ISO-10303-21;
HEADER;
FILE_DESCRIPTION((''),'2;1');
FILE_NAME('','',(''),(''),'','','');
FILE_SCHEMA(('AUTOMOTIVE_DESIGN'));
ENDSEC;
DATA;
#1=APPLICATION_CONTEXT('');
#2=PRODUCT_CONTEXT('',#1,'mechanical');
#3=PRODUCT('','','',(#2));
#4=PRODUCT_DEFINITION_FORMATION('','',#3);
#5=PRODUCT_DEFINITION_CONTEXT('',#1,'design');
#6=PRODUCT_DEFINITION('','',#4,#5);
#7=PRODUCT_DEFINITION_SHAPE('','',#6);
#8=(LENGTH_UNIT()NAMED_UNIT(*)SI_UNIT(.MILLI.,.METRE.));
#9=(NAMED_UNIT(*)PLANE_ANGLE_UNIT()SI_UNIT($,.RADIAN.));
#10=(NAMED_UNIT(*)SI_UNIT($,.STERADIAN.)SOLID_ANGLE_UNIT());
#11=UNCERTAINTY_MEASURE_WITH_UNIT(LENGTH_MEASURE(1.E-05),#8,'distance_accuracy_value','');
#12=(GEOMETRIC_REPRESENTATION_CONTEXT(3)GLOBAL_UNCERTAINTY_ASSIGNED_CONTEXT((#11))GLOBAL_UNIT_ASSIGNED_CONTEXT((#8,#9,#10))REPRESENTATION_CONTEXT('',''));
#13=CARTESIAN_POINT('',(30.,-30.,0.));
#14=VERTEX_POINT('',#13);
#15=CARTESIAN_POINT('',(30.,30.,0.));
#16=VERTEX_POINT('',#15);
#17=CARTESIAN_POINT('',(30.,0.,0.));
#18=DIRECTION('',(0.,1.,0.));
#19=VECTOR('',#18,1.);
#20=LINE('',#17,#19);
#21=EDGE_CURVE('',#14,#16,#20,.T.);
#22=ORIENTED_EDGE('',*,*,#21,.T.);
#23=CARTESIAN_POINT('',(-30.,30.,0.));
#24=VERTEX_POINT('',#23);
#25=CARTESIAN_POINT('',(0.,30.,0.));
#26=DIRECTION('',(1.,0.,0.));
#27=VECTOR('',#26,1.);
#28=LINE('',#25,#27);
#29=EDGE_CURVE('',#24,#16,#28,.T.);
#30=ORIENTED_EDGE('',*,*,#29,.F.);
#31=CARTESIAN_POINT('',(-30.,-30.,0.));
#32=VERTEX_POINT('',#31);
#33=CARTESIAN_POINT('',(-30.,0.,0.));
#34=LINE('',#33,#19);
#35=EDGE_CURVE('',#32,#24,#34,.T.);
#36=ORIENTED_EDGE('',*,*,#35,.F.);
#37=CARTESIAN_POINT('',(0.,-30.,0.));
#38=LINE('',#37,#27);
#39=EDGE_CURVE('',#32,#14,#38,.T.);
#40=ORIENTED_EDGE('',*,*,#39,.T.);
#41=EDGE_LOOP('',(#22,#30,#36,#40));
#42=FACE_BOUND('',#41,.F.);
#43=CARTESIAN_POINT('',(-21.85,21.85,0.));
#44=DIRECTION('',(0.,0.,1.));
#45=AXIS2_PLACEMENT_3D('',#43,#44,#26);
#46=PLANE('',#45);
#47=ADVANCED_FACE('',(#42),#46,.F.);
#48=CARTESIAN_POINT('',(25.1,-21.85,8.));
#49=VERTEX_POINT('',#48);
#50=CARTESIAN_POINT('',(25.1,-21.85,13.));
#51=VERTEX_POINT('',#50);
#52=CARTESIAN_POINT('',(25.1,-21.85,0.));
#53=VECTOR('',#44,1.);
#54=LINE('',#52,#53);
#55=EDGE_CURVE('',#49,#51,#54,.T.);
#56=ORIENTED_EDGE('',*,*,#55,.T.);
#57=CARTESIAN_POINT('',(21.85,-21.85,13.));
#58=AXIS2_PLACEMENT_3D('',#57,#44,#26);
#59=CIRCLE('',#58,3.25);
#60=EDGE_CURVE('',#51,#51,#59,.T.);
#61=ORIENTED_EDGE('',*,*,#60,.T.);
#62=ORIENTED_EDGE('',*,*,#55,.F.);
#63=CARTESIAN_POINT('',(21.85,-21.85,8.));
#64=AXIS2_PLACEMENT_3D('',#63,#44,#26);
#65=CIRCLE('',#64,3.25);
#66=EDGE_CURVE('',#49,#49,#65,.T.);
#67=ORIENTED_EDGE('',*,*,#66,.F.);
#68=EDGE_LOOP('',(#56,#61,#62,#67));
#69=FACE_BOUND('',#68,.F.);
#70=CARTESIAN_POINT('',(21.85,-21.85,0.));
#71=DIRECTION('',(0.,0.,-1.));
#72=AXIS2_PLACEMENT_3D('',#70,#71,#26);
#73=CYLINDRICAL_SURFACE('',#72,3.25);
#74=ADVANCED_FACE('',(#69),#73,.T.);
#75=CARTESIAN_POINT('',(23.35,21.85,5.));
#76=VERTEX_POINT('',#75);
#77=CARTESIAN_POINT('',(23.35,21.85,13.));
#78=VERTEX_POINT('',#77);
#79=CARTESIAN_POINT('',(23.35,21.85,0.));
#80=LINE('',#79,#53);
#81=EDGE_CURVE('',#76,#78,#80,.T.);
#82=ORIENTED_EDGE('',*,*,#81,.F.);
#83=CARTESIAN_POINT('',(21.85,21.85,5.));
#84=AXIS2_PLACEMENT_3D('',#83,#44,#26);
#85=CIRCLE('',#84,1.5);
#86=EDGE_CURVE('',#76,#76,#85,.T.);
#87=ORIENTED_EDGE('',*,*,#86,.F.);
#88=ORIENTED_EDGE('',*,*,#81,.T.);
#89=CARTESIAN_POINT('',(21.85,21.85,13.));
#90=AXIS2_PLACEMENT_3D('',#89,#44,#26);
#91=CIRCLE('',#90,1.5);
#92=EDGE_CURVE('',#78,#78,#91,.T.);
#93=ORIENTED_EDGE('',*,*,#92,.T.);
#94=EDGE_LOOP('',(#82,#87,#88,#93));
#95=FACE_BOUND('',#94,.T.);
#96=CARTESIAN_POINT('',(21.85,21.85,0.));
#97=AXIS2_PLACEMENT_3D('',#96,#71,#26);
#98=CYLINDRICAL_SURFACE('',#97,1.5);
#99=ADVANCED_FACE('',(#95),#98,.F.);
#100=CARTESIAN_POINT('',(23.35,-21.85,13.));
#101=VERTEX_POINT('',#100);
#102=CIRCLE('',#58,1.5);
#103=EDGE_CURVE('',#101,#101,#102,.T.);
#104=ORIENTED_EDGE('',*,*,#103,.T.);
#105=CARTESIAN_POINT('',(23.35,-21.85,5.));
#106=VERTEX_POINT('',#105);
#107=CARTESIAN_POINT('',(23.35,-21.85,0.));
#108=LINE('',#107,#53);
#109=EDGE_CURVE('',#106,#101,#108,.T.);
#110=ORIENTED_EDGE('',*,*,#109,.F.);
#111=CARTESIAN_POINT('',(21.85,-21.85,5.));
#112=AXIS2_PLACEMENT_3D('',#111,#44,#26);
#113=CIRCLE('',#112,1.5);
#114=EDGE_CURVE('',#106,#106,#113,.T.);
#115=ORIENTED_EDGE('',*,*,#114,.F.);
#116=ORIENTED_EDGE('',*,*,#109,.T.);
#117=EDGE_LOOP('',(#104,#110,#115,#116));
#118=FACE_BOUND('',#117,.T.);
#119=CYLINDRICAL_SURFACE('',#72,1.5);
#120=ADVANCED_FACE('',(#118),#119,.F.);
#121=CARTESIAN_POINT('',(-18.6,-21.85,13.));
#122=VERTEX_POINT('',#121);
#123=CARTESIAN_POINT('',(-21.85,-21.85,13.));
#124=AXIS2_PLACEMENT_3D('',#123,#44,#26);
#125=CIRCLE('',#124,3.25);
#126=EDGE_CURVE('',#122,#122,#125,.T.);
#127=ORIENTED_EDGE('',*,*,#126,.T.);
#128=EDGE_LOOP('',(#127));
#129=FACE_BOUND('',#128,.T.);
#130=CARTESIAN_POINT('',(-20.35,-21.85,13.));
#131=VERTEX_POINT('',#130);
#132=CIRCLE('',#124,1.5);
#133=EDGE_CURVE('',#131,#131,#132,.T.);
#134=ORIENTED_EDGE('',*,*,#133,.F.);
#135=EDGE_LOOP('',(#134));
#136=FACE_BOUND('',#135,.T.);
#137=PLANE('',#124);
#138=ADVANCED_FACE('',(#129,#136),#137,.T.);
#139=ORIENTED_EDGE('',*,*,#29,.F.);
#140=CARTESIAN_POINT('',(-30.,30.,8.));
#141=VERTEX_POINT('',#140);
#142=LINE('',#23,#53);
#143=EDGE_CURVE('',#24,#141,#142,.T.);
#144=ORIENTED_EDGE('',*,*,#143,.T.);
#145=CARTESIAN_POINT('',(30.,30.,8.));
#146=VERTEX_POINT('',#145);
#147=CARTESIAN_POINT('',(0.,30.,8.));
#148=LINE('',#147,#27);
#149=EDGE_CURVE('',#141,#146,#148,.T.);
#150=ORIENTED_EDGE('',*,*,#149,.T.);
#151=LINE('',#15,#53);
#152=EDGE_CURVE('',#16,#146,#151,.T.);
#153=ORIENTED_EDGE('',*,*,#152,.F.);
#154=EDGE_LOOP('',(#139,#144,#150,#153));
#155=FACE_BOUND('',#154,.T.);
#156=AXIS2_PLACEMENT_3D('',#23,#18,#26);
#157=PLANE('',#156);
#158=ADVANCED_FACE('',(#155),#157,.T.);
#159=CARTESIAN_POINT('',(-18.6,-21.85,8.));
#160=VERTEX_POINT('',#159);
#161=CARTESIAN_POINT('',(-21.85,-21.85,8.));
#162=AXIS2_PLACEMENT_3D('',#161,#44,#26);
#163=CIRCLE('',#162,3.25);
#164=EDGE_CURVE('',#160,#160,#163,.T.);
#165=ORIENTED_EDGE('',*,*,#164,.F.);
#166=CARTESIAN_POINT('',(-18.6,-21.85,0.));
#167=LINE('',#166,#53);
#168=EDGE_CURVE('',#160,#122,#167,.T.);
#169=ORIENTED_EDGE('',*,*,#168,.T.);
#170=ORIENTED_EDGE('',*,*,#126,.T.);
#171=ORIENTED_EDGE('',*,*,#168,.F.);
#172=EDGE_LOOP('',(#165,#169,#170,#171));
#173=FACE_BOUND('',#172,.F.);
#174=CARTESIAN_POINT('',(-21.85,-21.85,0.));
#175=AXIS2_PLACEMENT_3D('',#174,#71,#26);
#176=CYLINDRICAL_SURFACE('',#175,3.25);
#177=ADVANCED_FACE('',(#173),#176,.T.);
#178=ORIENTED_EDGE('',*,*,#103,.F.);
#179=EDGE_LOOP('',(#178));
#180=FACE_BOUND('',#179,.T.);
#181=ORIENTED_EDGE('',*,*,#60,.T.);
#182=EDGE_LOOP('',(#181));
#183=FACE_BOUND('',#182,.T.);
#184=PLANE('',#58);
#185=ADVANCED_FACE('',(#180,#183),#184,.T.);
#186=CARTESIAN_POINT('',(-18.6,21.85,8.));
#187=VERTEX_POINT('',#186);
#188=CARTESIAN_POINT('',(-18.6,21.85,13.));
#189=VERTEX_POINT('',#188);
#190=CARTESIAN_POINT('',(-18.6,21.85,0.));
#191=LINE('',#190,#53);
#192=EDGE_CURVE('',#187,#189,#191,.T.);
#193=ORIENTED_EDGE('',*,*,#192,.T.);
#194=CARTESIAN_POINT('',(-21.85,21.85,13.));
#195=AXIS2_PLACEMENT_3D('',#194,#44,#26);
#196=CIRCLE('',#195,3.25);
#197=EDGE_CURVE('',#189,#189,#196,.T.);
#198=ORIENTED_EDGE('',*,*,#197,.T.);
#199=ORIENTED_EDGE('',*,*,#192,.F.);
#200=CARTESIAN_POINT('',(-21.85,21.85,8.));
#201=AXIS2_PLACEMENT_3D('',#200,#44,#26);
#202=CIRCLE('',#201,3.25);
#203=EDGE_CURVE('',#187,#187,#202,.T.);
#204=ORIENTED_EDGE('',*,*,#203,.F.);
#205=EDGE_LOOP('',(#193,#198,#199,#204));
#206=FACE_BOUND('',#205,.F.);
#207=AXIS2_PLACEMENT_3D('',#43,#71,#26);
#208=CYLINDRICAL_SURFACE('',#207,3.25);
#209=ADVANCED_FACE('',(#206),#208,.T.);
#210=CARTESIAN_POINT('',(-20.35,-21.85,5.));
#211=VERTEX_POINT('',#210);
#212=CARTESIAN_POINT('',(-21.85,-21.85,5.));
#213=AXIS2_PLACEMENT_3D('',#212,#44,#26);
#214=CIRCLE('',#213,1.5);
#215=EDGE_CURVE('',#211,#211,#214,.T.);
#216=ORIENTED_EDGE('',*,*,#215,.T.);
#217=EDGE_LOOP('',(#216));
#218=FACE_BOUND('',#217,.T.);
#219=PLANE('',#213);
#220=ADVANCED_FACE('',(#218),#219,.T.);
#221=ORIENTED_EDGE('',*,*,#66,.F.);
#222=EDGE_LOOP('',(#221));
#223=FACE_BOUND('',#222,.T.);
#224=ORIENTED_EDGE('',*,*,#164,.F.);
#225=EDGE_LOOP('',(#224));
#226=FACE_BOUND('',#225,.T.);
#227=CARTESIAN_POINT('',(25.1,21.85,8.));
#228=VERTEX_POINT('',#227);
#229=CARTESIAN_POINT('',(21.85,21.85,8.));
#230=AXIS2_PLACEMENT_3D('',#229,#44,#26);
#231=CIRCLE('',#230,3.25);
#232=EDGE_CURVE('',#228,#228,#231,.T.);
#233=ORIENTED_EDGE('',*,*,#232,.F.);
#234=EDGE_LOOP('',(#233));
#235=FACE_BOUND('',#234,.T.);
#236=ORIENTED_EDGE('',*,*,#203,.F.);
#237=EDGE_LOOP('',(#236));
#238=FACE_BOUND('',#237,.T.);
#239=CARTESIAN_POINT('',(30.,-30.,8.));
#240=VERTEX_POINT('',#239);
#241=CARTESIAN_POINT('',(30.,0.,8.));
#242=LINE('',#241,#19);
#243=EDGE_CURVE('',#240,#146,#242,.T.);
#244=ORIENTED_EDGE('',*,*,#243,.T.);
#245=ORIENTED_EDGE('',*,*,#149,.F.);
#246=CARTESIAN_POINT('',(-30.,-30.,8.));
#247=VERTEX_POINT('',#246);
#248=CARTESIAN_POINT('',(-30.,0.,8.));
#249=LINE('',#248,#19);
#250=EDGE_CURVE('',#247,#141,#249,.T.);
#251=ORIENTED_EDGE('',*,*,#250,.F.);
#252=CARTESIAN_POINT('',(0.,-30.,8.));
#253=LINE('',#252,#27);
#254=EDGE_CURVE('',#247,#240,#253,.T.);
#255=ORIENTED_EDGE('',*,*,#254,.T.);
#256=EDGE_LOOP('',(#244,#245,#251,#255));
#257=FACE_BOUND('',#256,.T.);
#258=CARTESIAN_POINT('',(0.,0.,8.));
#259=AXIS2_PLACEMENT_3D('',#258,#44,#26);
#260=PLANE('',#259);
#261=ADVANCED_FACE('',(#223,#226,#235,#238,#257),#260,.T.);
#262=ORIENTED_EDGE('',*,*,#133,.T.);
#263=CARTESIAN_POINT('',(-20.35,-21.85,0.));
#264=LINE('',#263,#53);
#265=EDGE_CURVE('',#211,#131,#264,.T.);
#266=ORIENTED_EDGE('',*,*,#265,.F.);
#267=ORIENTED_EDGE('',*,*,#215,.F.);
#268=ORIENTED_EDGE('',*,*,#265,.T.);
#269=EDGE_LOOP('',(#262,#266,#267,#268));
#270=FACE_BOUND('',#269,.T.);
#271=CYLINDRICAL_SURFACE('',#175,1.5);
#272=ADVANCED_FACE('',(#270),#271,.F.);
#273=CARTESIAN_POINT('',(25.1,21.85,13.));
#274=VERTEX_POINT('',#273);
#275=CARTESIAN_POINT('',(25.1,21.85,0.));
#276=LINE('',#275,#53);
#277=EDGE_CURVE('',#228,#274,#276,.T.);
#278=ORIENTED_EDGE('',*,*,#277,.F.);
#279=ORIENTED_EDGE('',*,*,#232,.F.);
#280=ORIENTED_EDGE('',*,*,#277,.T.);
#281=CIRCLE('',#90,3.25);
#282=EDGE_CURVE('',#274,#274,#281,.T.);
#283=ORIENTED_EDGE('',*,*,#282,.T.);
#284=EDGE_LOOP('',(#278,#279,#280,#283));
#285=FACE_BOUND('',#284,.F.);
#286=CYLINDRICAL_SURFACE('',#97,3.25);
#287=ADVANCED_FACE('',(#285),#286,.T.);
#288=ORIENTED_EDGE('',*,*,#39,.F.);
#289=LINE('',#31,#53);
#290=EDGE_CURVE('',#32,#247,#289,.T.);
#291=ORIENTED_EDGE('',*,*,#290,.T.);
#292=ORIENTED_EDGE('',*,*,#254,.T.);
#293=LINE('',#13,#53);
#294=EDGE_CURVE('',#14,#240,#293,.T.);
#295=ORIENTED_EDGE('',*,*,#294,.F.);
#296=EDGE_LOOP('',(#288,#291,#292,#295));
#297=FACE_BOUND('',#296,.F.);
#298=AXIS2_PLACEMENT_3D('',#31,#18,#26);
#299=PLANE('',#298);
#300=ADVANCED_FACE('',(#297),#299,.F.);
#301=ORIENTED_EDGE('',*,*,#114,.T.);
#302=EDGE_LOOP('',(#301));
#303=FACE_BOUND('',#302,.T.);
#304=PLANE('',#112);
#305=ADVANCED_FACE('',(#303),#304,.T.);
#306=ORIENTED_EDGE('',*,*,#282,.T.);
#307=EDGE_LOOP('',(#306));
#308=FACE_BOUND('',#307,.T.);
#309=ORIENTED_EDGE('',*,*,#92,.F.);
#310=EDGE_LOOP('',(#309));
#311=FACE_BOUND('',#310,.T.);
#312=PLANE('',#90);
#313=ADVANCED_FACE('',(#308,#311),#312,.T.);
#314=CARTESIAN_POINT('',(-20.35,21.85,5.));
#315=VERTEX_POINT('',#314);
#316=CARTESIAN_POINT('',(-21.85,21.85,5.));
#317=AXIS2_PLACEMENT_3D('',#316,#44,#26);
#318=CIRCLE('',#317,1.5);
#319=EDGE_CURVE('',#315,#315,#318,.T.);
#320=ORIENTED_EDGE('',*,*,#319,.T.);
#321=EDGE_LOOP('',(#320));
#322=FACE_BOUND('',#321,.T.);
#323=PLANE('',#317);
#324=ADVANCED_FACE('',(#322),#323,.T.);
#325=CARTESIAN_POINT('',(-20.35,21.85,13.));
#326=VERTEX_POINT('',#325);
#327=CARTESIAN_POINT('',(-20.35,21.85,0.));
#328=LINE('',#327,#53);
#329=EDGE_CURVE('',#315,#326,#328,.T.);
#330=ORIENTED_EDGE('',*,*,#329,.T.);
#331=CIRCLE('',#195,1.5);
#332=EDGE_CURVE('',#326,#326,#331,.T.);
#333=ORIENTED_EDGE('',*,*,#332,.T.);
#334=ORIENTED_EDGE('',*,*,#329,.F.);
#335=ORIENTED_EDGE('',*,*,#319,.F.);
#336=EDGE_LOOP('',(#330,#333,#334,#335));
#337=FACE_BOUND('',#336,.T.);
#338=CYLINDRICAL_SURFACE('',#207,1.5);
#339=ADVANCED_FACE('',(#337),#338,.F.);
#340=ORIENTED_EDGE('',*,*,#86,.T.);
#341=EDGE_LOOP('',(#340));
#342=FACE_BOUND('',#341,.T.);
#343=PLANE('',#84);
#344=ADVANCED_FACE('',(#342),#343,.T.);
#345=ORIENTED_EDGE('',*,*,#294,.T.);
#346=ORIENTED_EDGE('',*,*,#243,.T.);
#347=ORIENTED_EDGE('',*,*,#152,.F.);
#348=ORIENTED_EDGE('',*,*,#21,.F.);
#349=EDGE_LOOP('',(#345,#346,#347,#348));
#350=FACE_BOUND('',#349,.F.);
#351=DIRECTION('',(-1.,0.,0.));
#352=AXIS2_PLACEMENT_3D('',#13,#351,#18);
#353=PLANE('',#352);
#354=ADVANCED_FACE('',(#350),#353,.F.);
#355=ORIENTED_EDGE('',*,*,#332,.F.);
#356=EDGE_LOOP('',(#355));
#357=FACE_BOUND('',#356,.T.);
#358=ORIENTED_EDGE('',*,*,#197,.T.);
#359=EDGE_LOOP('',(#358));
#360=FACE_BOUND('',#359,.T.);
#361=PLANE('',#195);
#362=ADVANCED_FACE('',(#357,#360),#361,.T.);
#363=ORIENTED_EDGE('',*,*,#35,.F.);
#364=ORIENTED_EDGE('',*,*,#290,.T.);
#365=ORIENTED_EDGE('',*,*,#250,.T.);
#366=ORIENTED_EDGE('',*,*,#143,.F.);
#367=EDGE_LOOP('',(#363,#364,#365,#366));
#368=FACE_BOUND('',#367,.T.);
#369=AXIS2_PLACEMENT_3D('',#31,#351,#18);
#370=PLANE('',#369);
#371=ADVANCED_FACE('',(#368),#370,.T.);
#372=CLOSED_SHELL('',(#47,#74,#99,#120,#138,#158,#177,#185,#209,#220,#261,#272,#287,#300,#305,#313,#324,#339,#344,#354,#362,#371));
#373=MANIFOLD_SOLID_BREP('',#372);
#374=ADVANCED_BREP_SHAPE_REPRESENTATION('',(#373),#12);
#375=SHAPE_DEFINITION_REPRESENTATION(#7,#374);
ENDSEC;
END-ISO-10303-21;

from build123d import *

# Parameters (mm, degrees)
F0_W     = 60
F0_H     = 60
F0_R     = 3.25
F1_DEPTH = 8
F0_R_2   = 1.5
F2_DEPTH = 13
F3_DEPTH = 5


with BuildPart() as f1:
    # F0 (on Top) → F1 (new body)
    with BuildSketch(Plane.XY):
        Rectangle(F0_W, F0_H)
        with Locations((-21.85, -21.85)):
            Circle(F0_R, mode=Mode.SUBTRACT)
        with Locations((21.85, -21.85)):
            Circle(F0_R, mode=Mode.SUBTRACT)
        with Locations((-21.85, 21.85)):
            Circle(F0_R, mode=Mode.SUBTRACT)
        with Locations((21.85, 21.85)):
            Circle(F0_R, mode=Mode.SUBTRACT)
    extrude(amount=F1_DEPTH)

    # F0 (on Top) → F2 (join)
    with BuildSketch(Plane.XY):
        with Locations((-21.85, 21.85)):
            Circle(F0_R)
        with Locations((-21.85, 21.85)):
            Circle(F0_R_2, mode=Mode.SUBTRACT)
        with Locations((21.85, 21.85)):
            Circle(F0_R)
        with Locations((21.85, 21.85)):
            Circle(F0_R_2, mode=Mode.SUBTRACT)
        with Locations((-21.85, -21.85)):
            Circle(F0_R)
        with Locations((-21.85, -21.85)):
            Circle(F0_R_2, mode=Mode.SUBTRACT)
        with Locations((21.85, -21.85)):
            Circle(F0_R)
        with Locations((21.85, -21.85)):
            Circle(F0_R_2, mode=Mode.SUBTRACT)
    extrude(amount=F2_DEPTH)

    # F0 (on Top) → F3 (join)
    with BuildSketch(Plane.XY):
        with Locations((-21.85, 21.85)):
            Circle(F0_R_2)
        with Locations((21.85, 21.85)):
            Circle(F0_R_2)
        with Locations((-21.85, -21.85)):
            Circle(F0_R_2)
        with Locations((21.85, -21.85)):
            Circle(F0_R_2)
    extrude(amount=F3_DEPTH)


solid = f1.part
